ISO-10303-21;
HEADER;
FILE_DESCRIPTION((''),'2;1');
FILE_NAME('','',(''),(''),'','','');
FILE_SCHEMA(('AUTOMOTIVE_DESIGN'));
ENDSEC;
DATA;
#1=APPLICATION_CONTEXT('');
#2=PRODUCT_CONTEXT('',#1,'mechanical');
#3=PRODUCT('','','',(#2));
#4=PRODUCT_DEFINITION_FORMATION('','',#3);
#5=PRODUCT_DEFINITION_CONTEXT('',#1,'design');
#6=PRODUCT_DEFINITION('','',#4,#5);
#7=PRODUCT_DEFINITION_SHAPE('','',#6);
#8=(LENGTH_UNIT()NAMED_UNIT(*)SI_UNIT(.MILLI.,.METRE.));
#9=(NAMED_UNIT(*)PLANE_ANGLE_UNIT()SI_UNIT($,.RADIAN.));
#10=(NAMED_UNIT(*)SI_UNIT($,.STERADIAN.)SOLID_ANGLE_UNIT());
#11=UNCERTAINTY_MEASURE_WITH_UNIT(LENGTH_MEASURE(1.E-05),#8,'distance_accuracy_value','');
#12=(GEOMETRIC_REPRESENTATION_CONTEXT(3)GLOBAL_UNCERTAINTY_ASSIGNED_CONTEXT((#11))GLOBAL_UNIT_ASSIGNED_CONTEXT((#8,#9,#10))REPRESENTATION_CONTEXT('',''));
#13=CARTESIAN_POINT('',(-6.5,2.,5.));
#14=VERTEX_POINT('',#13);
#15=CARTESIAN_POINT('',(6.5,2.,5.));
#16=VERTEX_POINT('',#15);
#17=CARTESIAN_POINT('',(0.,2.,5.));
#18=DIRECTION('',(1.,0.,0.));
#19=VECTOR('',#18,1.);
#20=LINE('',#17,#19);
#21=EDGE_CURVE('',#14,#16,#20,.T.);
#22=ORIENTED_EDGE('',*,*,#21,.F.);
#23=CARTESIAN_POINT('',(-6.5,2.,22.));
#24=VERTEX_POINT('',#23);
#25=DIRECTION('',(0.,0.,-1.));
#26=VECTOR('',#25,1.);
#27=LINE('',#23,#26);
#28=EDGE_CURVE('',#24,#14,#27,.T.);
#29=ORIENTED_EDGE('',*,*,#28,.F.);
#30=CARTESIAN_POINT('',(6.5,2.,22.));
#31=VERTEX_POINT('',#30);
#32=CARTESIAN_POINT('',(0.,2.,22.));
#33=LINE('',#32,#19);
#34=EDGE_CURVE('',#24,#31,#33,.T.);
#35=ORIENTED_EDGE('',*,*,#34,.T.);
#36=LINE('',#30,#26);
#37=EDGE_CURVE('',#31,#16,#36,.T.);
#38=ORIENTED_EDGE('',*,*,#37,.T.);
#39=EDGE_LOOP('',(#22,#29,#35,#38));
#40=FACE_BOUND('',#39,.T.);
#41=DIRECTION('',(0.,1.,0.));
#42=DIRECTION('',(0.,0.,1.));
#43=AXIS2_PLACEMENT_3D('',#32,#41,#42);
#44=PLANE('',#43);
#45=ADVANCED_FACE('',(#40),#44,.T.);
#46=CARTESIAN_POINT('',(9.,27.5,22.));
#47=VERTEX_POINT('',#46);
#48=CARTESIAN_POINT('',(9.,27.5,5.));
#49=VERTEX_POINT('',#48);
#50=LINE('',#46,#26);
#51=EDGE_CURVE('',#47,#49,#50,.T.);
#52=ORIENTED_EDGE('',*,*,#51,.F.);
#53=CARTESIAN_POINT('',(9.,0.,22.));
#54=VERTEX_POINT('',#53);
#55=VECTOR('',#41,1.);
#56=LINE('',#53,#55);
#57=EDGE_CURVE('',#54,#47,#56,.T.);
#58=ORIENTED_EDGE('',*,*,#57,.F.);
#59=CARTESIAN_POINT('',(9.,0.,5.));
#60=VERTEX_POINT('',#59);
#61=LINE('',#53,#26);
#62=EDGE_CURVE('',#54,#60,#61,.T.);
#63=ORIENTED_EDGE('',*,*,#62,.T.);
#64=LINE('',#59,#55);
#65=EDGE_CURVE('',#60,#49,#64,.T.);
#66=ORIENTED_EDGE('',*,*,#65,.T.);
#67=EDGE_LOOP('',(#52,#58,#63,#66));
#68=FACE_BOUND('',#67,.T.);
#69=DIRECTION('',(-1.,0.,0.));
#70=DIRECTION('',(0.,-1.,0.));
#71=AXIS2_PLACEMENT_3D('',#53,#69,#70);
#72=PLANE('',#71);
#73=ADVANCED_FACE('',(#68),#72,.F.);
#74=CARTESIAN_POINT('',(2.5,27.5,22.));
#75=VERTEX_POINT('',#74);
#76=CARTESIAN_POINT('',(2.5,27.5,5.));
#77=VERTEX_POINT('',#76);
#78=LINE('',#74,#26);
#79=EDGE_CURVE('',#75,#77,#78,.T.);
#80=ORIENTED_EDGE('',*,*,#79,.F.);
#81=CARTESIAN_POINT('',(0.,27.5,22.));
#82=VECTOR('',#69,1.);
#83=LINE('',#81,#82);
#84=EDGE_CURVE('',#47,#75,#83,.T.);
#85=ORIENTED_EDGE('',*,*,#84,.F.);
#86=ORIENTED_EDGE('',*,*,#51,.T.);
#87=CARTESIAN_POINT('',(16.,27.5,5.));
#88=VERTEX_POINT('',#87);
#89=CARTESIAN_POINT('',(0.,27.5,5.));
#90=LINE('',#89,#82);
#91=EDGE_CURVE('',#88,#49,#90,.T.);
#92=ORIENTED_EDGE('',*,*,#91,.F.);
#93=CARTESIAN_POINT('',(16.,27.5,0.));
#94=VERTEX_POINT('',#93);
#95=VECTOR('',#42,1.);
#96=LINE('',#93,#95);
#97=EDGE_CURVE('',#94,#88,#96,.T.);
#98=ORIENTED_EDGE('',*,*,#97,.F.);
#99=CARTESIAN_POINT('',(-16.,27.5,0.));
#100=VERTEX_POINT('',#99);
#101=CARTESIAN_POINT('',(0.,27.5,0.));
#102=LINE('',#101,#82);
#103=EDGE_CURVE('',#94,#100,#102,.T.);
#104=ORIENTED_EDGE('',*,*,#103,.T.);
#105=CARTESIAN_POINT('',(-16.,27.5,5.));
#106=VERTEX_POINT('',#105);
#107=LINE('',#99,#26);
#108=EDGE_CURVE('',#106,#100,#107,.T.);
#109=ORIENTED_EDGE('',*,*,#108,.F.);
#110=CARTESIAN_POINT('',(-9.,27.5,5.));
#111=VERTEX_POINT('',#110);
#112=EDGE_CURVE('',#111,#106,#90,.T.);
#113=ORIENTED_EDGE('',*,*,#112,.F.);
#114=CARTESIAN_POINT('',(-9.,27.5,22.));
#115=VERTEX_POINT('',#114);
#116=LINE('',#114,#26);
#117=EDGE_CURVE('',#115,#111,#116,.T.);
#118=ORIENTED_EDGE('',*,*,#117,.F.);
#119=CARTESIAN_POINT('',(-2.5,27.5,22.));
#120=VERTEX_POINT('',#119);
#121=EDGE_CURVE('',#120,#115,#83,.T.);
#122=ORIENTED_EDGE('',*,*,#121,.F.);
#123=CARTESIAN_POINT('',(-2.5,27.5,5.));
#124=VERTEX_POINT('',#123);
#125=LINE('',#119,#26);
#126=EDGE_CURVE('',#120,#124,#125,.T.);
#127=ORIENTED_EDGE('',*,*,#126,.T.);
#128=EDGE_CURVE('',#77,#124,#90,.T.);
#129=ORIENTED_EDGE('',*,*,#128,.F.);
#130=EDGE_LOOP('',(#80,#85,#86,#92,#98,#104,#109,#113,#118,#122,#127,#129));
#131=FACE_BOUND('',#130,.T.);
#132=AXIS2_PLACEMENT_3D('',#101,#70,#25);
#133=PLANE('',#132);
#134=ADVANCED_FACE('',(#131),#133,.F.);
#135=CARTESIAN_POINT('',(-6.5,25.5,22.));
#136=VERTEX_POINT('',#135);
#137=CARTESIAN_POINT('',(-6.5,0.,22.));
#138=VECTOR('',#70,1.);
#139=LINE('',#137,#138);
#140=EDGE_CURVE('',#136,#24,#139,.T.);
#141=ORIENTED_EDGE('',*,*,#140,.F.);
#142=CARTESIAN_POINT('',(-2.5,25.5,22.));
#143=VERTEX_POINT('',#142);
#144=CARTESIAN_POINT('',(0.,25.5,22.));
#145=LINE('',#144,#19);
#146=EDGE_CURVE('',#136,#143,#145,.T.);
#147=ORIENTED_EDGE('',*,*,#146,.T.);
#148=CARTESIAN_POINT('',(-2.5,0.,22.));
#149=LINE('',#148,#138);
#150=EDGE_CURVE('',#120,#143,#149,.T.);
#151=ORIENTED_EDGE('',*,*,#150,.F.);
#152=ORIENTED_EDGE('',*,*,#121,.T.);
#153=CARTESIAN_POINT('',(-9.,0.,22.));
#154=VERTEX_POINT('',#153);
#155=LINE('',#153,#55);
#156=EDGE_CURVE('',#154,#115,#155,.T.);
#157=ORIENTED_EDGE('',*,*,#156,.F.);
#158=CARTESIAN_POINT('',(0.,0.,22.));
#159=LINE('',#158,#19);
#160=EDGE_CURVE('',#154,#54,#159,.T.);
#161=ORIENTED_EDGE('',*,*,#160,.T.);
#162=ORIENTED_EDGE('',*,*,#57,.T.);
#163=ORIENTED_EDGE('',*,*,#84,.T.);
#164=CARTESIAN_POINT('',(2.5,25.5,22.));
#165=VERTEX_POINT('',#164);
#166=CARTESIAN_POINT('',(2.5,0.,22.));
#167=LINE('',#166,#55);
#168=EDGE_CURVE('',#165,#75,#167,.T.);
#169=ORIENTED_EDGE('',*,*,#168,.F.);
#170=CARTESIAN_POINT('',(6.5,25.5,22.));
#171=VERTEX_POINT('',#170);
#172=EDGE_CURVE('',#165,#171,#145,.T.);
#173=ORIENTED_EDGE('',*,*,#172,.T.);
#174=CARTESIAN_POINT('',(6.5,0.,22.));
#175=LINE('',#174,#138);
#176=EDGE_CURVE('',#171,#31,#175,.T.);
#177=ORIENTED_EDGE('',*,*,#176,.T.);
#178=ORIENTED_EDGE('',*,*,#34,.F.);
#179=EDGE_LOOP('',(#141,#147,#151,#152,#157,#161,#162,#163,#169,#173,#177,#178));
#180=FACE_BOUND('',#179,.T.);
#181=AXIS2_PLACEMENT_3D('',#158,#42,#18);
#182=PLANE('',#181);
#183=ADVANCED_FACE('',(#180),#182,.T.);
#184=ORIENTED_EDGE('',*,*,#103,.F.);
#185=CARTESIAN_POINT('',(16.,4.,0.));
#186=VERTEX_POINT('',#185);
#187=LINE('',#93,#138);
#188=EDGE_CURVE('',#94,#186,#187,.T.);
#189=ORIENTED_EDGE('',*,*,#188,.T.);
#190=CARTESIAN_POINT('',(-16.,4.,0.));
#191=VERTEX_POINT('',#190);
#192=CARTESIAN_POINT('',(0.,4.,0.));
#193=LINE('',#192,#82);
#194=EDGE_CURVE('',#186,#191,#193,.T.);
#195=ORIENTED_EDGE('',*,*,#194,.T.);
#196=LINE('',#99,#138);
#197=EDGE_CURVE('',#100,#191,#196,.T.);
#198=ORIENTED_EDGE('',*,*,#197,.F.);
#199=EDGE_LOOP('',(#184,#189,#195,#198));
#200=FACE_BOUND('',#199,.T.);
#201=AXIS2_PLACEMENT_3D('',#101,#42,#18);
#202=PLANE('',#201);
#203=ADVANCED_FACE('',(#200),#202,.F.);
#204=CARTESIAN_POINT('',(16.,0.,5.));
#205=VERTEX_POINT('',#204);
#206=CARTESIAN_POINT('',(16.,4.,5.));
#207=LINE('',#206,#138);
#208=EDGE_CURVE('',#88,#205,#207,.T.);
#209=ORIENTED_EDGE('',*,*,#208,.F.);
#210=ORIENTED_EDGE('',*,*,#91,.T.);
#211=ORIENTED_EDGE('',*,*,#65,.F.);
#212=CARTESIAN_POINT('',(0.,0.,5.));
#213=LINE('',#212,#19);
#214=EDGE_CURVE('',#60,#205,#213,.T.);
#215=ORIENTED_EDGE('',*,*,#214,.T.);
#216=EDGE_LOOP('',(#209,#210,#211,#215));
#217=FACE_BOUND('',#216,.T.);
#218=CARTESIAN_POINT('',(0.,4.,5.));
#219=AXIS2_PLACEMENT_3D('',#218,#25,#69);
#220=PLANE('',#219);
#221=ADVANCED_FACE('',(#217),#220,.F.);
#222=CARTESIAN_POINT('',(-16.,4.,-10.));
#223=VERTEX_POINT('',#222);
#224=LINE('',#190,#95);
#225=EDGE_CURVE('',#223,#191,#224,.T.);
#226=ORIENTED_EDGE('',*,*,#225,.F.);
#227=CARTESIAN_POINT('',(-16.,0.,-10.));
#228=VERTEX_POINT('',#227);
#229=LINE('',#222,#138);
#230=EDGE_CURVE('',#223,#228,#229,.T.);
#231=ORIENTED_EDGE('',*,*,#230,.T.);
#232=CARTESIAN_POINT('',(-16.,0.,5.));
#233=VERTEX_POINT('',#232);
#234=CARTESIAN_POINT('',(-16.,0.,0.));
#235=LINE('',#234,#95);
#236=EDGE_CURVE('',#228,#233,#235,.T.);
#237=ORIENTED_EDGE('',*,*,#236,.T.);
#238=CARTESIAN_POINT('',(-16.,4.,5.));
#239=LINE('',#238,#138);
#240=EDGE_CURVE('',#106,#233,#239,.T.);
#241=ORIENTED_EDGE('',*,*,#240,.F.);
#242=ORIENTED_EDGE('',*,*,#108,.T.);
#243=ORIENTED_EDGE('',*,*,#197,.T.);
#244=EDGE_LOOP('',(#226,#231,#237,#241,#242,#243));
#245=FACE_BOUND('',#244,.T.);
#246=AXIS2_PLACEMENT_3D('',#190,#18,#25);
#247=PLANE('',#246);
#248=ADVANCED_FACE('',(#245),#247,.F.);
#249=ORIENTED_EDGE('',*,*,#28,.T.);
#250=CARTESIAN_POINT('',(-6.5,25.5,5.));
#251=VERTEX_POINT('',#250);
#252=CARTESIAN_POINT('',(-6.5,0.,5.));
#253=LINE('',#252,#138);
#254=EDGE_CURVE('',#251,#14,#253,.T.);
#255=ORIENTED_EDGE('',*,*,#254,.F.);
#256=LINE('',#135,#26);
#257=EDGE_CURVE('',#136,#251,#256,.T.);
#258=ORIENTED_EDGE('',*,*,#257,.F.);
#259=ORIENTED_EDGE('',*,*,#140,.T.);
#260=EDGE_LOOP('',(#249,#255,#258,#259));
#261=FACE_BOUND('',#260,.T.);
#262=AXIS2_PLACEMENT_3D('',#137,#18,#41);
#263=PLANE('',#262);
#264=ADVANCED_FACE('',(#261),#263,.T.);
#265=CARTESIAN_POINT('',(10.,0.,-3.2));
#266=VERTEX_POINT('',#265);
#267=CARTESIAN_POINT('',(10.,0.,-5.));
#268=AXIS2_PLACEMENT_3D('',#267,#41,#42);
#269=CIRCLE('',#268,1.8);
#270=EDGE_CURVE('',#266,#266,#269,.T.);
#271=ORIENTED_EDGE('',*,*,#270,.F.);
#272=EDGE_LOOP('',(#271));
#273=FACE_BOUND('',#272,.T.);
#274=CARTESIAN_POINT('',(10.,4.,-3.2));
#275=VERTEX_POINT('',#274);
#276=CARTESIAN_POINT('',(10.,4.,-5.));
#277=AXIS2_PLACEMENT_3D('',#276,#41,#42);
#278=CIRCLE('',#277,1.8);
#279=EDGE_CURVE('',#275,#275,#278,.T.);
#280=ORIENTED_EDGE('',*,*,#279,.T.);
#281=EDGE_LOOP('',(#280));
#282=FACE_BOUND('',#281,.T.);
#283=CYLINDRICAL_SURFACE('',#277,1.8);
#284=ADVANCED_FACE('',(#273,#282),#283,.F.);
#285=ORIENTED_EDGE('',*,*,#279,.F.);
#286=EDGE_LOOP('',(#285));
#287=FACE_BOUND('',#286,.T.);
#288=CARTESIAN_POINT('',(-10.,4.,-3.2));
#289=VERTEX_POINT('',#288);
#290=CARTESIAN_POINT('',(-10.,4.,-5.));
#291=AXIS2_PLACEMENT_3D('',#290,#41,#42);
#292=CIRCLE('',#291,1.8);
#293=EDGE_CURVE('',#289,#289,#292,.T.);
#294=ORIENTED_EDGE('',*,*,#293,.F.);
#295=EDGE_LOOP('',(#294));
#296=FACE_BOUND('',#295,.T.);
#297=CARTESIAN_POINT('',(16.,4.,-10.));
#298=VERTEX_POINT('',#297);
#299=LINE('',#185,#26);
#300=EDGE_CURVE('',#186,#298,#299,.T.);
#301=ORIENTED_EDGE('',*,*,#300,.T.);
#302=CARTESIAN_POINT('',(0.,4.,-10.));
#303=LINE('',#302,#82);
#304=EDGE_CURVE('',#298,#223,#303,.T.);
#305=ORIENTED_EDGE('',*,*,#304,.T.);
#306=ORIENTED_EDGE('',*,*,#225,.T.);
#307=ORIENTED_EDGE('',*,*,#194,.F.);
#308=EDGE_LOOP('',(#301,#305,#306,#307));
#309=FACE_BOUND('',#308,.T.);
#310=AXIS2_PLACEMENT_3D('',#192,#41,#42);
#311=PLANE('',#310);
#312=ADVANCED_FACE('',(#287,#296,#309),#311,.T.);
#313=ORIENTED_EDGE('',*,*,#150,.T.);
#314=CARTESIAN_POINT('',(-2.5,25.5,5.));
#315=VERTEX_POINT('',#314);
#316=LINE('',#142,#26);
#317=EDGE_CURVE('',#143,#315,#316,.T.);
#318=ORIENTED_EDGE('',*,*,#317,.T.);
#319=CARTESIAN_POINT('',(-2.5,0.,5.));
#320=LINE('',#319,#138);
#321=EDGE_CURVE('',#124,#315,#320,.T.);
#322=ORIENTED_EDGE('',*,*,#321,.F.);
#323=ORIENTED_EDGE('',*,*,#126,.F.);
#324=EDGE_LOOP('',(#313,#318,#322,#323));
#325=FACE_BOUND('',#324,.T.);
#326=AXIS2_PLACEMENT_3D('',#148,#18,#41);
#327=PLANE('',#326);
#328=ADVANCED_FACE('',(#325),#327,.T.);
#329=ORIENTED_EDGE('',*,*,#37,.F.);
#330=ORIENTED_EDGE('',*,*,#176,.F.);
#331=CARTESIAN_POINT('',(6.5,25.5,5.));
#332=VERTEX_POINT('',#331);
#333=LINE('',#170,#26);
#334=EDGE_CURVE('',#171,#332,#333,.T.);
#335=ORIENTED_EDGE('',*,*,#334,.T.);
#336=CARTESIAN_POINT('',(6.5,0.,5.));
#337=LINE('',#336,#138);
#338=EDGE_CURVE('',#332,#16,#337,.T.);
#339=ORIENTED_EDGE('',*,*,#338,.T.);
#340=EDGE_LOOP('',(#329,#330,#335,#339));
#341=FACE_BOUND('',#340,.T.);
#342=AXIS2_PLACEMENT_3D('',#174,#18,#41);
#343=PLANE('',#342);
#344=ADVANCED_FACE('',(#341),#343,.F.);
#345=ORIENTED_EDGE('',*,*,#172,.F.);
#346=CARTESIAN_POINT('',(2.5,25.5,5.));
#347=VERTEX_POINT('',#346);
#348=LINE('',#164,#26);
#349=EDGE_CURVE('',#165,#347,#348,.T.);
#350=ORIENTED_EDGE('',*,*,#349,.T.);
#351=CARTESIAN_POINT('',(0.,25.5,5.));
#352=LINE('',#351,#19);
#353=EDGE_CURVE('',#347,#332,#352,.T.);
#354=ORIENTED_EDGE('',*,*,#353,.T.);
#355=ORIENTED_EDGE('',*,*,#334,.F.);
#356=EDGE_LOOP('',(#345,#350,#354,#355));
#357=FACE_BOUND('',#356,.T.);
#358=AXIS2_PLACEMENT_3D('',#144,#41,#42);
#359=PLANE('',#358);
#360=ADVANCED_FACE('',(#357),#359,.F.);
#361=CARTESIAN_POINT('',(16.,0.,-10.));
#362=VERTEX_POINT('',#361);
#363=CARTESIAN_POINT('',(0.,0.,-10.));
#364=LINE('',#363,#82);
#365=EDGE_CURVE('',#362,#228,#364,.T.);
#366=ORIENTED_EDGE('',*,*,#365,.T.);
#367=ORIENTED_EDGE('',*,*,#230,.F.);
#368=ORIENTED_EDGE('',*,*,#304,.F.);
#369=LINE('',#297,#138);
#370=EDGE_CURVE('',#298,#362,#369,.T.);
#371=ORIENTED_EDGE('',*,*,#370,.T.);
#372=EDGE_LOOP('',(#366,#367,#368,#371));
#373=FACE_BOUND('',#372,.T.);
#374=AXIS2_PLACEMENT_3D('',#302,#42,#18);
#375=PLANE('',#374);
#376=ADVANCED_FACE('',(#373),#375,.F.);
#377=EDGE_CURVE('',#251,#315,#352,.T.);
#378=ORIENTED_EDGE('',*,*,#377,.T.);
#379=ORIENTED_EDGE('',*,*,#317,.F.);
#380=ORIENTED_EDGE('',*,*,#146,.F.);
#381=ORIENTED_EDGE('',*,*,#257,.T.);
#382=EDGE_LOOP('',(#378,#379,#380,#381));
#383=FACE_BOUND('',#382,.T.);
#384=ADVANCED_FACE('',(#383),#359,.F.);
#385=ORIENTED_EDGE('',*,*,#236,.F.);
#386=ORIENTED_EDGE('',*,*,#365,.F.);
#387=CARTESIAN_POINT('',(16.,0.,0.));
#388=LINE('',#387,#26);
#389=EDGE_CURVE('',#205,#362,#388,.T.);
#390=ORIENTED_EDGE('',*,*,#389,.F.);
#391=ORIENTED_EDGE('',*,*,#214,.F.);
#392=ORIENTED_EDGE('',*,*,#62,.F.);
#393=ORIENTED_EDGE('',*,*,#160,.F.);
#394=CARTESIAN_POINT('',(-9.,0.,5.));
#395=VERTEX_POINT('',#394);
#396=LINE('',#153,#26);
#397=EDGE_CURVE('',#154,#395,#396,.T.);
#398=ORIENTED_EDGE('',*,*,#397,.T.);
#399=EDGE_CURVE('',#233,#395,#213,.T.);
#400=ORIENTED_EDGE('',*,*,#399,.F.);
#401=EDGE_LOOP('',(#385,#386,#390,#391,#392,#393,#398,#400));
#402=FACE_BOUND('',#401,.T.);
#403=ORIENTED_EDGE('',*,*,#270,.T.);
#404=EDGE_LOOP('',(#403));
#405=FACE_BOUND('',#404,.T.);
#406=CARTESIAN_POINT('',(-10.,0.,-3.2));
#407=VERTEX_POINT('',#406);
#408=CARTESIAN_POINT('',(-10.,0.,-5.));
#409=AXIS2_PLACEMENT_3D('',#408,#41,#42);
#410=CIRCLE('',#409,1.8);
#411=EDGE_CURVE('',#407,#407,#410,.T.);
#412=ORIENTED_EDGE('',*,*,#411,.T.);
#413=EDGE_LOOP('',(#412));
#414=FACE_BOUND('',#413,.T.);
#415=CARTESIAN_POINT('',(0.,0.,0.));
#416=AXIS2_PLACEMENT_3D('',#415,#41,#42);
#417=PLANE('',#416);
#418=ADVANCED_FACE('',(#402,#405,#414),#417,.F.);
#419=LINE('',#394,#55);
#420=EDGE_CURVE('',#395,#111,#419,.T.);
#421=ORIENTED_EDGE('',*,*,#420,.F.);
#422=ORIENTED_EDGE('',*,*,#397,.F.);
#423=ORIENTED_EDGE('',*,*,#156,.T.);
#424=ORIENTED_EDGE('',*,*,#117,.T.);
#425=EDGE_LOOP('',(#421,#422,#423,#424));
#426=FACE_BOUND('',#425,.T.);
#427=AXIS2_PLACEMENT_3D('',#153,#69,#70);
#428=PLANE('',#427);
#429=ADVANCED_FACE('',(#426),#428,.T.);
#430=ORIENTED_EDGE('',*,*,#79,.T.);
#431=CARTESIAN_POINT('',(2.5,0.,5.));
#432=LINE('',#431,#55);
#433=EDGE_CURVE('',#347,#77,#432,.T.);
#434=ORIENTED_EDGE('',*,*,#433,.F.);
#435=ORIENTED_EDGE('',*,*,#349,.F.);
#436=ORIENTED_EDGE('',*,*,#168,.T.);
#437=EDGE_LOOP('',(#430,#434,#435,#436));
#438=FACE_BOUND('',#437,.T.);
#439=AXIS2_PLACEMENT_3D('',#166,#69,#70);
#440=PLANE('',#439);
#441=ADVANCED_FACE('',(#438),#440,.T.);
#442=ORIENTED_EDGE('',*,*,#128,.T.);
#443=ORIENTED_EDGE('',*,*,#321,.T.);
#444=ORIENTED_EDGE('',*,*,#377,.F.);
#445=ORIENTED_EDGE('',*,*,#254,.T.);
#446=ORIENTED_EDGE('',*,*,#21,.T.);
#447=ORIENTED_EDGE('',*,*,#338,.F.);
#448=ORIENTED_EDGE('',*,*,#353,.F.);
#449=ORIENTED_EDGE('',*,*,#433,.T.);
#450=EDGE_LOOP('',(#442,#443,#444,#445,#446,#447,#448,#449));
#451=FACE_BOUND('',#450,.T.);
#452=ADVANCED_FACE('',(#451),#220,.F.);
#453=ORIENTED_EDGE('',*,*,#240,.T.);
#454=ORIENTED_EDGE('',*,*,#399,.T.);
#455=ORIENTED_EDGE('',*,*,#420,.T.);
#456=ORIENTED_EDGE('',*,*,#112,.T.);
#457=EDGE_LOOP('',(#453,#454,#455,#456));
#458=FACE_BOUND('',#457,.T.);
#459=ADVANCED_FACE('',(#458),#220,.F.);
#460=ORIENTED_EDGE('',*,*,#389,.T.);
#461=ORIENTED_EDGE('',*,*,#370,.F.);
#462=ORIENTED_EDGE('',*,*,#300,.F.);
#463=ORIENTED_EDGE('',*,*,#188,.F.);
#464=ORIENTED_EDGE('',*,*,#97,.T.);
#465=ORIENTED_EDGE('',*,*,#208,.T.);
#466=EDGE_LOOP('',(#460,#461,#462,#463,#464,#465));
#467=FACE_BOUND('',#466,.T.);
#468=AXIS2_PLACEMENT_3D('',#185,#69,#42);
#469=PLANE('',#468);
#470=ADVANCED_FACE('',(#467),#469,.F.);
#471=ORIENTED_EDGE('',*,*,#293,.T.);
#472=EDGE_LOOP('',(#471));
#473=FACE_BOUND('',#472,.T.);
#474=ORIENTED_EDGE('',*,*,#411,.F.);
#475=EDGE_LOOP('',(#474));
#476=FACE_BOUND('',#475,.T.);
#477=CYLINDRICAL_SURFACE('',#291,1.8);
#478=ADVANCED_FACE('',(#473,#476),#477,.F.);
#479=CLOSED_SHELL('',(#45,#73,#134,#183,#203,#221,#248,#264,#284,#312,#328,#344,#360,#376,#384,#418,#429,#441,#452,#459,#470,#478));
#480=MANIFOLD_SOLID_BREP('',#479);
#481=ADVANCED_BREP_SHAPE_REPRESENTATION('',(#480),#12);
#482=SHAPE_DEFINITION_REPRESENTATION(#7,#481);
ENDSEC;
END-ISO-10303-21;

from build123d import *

# Parameters (mm, degrees)
SKETCH1_W                = 32
SKETCH1_H                = 15
BOSS_EXTRUDE1_DEPTH      = 4
BOSS_EXTRUDE2_START      = 4
SKETCH1_3_W              = 32
SKETCH1_3_H              = 5
BOSS_EXTRUDE2_DEPTH      = 23.5
BOSS_EXTRUDE3_DEPTH      = 17
M3_CLEARANCE_HOLE1_D     = 3.6
M3_CLEARANCE_HOLE1_DEPTH = 10
M3_CLEARANCE_HOLE1_TIP   = 1.081549114


with BuildPart() as part:
    # Sketch1 → Boss-Extrude1 (new body)
    with BuildSketch(Plane(origin=(0, 0, 0), x_dir=(1, 0, 0), z_dir=(0, 1, 0))):
        with Locations((0, 2.5)):
            Rectangle(SKETCH1_W, SKETCH1_H)
    extrude(amount=BOSS_EXTRUDE1_DEPTH)

    # Sketch1<3> → Boss-Extrude2 (add)
    with BuildSketch(Plane(origin=(0, 0, 0), x_dir=(1, 0, 0), z_dir=(0, 1, 0)).offset(BOSS_EXTRUDE2_START)):
        with Locations((0, -2.5)):
            Rectangle(SKETCH1_3_W, SKETCH1_3_H)
    extrude(amount=BOSS_EXTRUDE2_DEPTH)

    # Sketch2 → Boss-Extrude3 (add)
    with BuildSketch(Plane.XY.offset(5)):
        Polygon((-6.5, 2), (-6.5, 25.5), (-2.5, 25.5), (-2.5, 27.5), (-9, 27.5), (-9, 0), (9, 0), (9, 27.5), (2.5, 27.5), (2.5, 25.5), (6.5, 25.5), (6.5, 2), align=None)
    extrude(amount=BOSS_EXTRUDE3_DEPTH)

    # M3 Clearance Hole1
    with Locations(Plane(origin=(0, 4, 0), x_dir=(1, 0, 0), z_dir=(0, 1, 0))):
        with Locations((-10, 5), (10, 5)):
            Hole(M3_CLEARANCE_HOLE1_D / 2, depth=M3_CLEARANCE_HOLE1_DEPTH)
            with Locations((0, 0, -(M3_CLEARANCE_HOLE1_DEPTH + M3_CLEARANCE_HOLE1_TIP / 2))):  # 118° drill point
                Cone(0, M3_CLEARANCE_HOLE1_D / 2, M3_CLEARANCE_HOLE1_TIP, mode=Mode.SUBTRACT)


solid = part.part
